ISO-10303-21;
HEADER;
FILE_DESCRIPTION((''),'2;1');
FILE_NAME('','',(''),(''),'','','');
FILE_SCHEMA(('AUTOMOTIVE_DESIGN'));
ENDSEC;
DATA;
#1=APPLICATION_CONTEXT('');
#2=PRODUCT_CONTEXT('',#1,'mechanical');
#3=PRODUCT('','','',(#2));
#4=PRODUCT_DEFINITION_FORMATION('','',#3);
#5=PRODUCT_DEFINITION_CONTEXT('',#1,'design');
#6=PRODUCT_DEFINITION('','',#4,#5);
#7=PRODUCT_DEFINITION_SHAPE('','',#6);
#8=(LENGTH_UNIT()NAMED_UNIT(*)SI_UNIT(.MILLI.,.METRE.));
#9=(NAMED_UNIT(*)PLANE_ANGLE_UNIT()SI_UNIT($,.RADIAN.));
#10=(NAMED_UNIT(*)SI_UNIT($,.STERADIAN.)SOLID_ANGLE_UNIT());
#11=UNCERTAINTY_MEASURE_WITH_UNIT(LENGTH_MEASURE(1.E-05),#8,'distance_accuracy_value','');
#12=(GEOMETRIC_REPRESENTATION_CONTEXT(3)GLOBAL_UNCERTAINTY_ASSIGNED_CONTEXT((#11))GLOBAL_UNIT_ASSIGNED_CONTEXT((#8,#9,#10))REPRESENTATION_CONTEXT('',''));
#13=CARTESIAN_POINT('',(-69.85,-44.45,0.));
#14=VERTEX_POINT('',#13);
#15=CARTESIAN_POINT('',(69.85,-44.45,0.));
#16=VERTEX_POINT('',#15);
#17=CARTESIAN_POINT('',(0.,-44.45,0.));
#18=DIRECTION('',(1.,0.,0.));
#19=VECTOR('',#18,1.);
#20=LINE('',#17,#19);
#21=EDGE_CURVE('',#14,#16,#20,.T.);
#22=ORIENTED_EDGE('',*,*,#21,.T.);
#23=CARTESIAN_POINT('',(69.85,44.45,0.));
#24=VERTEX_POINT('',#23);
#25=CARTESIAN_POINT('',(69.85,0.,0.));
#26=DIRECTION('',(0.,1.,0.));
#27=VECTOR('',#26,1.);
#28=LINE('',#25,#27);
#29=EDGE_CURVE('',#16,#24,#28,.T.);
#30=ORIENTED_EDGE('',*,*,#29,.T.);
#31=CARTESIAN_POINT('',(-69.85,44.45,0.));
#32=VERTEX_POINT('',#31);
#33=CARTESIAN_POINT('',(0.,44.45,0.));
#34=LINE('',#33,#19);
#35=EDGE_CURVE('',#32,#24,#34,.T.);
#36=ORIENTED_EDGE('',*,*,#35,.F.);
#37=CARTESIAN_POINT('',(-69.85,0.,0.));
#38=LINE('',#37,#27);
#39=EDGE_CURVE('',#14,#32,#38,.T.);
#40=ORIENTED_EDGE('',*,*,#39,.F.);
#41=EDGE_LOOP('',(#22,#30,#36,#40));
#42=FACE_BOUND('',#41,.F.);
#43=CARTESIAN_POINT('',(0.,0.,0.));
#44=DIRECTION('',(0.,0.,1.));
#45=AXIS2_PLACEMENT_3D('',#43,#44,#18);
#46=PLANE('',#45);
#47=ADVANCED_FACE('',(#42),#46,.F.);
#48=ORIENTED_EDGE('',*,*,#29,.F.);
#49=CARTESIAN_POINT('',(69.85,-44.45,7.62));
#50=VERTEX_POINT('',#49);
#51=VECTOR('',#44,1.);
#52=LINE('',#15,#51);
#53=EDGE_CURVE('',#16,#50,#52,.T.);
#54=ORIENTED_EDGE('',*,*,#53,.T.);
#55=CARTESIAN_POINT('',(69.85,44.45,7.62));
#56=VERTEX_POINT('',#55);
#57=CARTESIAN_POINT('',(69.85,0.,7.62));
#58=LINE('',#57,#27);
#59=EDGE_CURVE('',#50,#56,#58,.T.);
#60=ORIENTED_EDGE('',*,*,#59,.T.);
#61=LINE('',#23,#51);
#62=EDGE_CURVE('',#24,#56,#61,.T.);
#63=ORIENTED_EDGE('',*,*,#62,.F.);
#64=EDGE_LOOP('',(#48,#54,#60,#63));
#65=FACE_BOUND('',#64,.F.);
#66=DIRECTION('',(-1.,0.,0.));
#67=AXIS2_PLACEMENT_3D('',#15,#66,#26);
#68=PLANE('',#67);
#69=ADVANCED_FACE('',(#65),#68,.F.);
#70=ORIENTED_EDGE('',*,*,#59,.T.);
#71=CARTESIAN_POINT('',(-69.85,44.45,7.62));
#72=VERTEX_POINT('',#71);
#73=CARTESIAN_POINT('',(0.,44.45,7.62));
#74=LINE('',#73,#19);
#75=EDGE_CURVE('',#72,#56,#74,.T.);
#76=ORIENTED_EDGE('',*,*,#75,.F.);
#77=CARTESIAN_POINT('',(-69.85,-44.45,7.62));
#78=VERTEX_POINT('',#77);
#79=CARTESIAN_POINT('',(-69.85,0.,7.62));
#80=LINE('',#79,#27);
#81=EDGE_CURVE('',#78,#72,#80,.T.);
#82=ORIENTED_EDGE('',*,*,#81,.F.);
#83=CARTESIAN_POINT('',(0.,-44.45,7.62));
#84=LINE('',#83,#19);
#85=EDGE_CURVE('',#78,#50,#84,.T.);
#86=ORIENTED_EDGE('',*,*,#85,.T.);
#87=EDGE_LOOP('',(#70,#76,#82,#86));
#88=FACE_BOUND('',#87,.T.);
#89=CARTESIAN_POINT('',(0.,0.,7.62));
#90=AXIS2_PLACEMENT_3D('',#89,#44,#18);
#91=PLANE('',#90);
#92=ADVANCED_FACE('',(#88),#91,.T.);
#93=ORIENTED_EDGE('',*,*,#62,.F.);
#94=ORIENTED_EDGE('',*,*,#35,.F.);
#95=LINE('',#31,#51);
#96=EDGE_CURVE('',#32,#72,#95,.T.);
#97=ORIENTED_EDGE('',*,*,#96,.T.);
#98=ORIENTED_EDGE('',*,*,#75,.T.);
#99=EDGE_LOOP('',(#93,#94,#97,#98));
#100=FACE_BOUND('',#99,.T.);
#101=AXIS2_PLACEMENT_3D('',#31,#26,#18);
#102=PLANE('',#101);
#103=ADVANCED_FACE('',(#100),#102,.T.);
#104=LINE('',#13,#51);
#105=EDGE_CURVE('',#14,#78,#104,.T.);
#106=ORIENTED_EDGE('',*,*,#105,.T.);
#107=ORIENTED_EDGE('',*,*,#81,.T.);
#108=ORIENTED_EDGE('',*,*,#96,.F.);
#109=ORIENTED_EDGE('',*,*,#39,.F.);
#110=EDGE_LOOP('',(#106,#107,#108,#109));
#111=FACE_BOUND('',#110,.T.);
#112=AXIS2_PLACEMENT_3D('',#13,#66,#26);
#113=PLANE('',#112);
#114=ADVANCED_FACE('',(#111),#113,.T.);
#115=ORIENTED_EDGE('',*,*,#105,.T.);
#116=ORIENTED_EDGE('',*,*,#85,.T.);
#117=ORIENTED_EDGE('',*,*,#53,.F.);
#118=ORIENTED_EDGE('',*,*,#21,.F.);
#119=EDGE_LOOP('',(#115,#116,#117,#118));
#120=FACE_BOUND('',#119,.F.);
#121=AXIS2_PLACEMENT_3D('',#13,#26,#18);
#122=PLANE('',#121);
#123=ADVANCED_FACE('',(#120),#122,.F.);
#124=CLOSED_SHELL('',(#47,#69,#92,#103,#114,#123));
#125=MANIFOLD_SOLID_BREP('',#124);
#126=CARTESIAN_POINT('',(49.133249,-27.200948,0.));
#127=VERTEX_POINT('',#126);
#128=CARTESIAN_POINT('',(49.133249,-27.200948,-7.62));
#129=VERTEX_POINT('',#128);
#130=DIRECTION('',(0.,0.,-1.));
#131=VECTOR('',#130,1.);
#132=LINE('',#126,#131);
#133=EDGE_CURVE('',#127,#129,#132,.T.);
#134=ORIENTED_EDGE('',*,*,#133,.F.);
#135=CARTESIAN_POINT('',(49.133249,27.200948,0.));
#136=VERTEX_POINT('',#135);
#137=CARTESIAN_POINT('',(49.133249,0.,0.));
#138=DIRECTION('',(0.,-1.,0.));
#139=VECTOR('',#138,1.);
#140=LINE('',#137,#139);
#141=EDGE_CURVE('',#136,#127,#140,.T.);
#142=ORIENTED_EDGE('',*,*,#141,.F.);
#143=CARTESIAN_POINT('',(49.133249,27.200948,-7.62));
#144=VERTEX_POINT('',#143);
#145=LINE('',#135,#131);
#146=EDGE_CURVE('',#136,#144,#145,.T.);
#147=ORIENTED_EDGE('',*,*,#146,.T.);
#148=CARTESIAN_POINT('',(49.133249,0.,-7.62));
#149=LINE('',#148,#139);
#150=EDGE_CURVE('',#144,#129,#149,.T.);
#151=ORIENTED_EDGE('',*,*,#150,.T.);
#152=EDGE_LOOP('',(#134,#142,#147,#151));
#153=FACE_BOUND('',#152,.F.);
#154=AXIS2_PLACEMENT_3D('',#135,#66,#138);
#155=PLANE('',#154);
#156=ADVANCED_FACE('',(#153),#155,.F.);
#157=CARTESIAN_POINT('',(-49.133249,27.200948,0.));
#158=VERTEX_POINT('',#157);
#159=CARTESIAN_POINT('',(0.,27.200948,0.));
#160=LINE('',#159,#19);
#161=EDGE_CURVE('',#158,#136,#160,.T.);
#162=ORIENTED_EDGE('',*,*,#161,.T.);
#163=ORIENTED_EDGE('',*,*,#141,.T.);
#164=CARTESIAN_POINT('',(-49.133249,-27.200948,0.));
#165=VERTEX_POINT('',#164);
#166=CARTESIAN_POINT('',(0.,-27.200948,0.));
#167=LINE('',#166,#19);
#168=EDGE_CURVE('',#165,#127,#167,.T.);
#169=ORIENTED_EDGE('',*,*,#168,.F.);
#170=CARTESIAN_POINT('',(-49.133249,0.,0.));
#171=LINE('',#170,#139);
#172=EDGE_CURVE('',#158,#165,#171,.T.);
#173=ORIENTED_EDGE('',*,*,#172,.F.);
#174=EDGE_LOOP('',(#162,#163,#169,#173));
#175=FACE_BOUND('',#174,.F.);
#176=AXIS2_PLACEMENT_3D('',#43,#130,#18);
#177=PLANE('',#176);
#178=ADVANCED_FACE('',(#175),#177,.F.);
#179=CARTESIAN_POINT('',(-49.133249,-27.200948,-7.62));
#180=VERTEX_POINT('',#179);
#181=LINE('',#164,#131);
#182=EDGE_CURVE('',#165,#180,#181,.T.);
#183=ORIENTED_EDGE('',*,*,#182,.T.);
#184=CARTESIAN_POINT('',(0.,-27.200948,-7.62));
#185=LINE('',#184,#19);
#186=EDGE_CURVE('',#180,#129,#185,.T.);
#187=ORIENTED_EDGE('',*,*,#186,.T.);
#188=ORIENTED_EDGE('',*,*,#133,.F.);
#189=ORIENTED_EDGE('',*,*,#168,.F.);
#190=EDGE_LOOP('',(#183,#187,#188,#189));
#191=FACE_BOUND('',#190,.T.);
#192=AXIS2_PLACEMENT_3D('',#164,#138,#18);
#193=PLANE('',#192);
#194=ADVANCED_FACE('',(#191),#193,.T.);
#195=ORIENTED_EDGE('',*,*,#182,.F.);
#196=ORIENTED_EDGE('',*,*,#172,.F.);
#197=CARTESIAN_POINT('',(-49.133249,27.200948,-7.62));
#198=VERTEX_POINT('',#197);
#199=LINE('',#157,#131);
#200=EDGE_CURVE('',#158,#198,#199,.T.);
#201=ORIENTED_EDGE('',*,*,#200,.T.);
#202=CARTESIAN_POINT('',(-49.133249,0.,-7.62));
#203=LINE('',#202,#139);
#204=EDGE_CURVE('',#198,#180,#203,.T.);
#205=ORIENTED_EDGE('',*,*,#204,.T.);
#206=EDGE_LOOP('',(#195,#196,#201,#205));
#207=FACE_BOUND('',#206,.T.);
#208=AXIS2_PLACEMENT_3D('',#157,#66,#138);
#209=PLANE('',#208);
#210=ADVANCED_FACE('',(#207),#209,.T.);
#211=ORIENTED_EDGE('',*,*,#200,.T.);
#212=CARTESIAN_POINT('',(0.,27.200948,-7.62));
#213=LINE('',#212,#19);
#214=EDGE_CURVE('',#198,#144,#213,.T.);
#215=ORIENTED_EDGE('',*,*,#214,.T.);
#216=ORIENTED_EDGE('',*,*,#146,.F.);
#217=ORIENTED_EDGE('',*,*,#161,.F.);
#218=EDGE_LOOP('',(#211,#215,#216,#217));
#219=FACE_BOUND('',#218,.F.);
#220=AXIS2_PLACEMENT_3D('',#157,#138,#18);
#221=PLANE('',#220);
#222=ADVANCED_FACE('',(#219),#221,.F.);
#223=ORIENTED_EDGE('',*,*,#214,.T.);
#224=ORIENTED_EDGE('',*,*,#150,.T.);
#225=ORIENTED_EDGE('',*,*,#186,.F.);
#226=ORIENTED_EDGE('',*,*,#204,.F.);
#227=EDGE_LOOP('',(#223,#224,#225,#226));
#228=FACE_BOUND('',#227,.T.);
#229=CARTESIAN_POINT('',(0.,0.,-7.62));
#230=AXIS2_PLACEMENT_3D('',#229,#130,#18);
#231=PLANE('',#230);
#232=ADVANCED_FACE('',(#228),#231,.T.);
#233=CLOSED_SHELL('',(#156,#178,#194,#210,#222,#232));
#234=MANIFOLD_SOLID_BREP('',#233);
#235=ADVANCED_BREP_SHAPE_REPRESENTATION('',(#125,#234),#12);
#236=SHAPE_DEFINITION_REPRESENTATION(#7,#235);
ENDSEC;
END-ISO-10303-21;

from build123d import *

# Parameters (mm, degrees)
F0_W     = 139.7
F0_H     = 88.9
F1_DEPTH = 7.62
F2_W     = 98.266498
F2_H     = 54.401896
F3_DEPTH = 7.62


with BuildPart() as f1:
    # F0 (on Top) → F1 (new body)
    with BuildSketch(Plane.XY):
        Rectangle(F0_W, F0_H)
    extrude(amount=F1_DEPTH)


with BuildPart() as f3:
    # F2 (on face) → F3 (new body)
    with BuildSketch(Plane(origin=(0, 0, 0), x_dir=(1, 0, 0), z_dir=(0, 0, -1))):
        Rectangle(F2_W, F2_H)
    extrude(amount=F3_DEPTH)


solid = Compound([f1.part, f3.part])
